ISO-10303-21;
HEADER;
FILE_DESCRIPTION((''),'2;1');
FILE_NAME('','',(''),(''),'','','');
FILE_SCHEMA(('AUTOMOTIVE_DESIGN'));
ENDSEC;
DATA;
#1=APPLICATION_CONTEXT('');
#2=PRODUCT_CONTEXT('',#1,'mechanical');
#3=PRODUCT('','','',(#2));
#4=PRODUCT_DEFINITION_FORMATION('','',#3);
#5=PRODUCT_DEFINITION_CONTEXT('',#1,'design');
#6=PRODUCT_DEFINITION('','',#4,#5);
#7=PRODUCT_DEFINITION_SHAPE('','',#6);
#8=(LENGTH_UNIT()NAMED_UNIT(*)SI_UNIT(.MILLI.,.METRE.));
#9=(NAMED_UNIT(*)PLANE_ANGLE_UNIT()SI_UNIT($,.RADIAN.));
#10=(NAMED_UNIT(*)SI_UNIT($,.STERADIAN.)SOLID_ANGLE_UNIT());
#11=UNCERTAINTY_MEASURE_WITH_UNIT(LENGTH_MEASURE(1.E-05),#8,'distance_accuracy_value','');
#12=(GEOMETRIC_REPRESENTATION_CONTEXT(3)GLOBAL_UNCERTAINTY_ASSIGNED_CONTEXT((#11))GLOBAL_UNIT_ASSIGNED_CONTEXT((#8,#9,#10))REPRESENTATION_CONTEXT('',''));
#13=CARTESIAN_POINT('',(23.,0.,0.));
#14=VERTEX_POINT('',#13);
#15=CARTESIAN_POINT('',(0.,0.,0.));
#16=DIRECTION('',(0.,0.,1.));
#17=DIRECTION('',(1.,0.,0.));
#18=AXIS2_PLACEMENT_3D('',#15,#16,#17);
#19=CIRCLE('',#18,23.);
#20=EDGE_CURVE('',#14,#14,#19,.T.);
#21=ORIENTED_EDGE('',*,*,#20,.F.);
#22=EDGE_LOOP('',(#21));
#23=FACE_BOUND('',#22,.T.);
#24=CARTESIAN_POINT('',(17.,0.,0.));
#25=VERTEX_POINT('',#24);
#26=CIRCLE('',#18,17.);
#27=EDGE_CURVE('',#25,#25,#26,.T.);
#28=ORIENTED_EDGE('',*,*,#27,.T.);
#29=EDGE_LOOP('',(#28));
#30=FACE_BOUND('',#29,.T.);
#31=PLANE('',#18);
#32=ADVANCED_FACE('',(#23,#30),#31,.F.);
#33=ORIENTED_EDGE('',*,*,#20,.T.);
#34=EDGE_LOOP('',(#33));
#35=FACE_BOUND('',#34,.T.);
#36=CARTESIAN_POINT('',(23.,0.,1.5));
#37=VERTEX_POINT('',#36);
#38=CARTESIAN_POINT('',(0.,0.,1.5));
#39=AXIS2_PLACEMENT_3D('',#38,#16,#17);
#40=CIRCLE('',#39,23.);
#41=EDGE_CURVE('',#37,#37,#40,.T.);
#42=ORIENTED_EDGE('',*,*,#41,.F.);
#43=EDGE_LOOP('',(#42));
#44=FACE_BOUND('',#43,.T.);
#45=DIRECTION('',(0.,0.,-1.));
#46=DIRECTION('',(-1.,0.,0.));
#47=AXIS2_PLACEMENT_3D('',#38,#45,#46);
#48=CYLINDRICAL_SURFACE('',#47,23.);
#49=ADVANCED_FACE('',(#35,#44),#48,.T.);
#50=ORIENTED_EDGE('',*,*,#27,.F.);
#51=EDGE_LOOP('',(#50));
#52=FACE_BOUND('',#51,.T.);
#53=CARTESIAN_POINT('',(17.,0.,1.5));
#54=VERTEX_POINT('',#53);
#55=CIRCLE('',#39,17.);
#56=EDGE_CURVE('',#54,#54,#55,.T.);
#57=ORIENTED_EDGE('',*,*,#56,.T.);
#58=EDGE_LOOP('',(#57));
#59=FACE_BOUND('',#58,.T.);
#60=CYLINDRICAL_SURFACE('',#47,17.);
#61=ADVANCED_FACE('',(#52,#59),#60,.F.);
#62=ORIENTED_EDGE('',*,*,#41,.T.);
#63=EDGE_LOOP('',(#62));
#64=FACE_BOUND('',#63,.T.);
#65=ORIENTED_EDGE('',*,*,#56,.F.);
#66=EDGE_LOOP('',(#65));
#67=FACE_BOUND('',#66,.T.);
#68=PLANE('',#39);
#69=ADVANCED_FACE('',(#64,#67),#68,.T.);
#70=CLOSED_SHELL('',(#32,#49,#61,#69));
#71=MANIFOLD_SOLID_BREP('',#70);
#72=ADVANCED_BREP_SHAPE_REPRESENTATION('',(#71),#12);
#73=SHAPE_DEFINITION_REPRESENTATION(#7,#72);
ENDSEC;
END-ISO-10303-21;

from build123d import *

# Parameters (mm, degrees)
SKETCH_1_R      = 23
SKETCH_1_R_2    = 17
EXTRUDE_1_DEPTH = 1.5


with BuildPart() as part:
    # Эскиз1 → Бобышка-Вытянуть1 (new body)
    with BuildSketch(Plane.XY):
        Circle(SKETCH_1_R)
        Circle(SKETCH_1_R_2, mode=Mode.SUBTRACT)
    extrude(amount=EXTRUDE_1_DEPTH)


solid = part.part
